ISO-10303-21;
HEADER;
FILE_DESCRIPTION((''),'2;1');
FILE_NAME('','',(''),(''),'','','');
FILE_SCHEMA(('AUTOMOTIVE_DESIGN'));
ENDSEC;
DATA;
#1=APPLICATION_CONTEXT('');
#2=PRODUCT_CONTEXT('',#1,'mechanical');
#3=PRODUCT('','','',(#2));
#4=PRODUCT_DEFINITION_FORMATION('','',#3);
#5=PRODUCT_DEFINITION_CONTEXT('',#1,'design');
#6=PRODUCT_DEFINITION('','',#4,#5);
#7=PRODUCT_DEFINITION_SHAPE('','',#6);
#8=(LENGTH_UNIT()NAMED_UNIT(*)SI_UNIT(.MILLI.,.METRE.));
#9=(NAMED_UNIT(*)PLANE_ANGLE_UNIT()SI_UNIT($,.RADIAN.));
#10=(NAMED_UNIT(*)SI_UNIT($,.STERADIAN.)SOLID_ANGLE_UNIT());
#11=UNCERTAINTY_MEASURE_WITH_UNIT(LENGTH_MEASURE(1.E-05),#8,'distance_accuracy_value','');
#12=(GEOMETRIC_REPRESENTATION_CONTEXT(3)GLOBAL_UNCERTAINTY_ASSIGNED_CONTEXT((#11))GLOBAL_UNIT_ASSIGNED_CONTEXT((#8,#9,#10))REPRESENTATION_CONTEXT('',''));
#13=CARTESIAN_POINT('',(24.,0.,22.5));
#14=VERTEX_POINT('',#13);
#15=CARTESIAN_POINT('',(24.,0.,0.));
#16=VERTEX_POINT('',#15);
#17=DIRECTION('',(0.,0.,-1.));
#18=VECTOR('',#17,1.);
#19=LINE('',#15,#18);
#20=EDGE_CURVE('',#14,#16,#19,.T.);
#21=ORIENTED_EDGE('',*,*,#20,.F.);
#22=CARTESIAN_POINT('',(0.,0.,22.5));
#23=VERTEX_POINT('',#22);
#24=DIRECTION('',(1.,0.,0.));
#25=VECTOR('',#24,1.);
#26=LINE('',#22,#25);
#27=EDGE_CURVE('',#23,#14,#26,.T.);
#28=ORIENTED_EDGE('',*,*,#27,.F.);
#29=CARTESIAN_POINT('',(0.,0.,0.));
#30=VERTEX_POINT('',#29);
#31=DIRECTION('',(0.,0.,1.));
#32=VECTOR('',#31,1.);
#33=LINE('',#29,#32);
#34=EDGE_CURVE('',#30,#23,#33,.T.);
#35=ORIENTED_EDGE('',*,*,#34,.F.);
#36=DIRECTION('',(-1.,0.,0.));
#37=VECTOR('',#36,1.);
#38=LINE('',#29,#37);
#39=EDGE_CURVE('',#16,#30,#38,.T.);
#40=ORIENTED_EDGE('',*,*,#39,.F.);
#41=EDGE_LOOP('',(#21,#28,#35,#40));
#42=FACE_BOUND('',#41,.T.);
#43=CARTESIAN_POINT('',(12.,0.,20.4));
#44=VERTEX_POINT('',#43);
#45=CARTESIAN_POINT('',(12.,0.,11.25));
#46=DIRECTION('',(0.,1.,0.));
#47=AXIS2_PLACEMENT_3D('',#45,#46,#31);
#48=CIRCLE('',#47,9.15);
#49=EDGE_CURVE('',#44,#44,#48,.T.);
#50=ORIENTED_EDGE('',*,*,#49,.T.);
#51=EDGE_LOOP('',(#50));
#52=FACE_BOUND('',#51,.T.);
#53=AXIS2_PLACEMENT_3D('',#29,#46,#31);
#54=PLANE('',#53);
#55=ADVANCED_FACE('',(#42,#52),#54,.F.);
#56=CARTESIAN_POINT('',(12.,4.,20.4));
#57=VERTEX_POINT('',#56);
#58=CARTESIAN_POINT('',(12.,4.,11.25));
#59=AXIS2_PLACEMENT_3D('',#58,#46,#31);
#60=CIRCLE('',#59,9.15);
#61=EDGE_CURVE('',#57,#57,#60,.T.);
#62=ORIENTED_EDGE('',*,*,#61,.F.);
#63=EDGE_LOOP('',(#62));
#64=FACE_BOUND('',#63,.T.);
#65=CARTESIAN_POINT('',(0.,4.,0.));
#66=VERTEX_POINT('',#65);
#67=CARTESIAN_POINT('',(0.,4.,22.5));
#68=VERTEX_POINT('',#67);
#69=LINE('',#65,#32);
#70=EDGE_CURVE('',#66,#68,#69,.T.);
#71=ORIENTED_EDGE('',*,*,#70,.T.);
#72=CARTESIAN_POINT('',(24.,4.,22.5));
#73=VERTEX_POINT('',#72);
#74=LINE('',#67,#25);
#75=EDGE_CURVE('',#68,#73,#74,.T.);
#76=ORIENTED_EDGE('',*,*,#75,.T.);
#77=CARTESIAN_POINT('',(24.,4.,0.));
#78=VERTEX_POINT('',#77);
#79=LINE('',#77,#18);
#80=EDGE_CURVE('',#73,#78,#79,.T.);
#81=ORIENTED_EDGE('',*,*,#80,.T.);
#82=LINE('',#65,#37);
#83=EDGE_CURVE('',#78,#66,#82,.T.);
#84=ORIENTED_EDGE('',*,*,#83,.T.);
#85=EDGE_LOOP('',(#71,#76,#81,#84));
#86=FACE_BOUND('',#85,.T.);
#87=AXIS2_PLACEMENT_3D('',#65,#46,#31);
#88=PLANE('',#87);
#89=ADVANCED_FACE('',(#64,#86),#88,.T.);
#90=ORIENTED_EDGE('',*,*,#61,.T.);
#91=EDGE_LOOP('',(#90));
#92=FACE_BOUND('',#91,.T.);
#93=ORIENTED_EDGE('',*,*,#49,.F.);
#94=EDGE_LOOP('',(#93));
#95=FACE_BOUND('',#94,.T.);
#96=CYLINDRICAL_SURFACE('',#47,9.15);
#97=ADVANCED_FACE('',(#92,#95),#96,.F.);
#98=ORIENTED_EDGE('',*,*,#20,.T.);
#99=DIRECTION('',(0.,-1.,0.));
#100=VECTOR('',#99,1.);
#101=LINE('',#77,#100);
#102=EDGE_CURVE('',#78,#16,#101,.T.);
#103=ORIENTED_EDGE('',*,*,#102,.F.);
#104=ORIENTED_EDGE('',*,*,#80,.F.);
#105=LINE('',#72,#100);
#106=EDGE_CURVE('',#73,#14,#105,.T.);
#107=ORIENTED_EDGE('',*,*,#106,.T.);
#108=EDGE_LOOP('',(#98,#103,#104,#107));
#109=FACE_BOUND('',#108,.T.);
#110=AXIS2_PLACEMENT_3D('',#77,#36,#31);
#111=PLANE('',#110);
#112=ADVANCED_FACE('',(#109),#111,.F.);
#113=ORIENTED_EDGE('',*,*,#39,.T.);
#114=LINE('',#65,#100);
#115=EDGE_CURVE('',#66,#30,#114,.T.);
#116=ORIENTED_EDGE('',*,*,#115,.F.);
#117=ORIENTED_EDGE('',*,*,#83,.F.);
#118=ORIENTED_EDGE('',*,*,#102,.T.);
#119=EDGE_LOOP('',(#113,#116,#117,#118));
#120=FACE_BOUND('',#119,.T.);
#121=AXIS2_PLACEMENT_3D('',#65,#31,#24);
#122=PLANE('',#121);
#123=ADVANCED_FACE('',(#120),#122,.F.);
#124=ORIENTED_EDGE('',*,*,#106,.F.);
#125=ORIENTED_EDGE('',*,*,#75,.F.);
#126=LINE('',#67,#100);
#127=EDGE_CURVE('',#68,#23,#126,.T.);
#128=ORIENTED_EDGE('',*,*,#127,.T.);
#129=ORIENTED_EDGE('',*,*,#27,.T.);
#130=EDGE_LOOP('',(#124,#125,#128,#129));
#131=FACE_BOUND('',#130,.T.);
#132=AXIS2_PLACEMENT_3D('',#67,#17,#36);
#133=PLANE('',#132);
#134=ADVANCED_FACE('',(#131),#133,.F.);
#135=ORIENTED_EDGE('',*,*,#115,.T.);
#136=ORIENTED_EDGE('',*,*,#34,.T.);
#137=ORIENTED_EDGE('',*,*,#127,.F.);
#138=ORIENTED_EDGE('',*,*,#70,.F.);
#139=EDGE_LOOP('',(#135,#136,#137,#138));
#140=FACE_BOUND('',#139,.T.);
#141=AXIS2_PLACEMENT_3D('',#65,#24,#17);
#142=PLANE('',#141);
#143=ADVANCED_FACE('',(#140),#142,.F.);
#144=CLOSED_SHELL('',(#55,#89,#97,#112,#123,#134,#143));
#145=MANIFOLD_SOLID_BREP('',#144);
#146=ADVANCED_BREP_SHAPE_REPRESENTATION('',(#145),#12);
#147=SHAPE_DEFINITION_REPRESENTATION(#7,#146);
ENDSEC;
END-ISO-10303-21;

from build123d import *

# Parameters (mm, degrees)
SKETCH1_W           = 24
SKETCH1_H           = 22.5
BOSS_EXTRUDE1_DEPTH = 4
SKETCH2_R           = 9.15
CUT_EXTRUDE1_DEPTH  = 34.13985516


with BuildPart() as part:
    # Sketch1 → Boss-Extrude1 (new body)
    with BuildSketch(Plane(origin=(0, 0, 0), x_dir=(1, 0, 0), z_dir=(0, 1, 0))):
        with Locations((12, -11.25)):
            Rectangle(SKETCH1_W, SKETCH1_H)
    extrude(amount=BOSS_EXTRUDE1_DEPTH)

    # Sketch2 → Cut-Extrude1 (cut, through all)
    with BuildSketch(Plane(origin=(0, 4, 0), x_dir=(1, 0, 0), z_dir=(0, 1, 0))):
        with Locations(Location((12, -11.25, 0), (0, 0, 270))):
            Circle(SKETCH2_R)
    extrude(amount=-CUT_EXTRUDE1_DEPTH, mode=Mode.SUBTRACT)


solid = part.part
